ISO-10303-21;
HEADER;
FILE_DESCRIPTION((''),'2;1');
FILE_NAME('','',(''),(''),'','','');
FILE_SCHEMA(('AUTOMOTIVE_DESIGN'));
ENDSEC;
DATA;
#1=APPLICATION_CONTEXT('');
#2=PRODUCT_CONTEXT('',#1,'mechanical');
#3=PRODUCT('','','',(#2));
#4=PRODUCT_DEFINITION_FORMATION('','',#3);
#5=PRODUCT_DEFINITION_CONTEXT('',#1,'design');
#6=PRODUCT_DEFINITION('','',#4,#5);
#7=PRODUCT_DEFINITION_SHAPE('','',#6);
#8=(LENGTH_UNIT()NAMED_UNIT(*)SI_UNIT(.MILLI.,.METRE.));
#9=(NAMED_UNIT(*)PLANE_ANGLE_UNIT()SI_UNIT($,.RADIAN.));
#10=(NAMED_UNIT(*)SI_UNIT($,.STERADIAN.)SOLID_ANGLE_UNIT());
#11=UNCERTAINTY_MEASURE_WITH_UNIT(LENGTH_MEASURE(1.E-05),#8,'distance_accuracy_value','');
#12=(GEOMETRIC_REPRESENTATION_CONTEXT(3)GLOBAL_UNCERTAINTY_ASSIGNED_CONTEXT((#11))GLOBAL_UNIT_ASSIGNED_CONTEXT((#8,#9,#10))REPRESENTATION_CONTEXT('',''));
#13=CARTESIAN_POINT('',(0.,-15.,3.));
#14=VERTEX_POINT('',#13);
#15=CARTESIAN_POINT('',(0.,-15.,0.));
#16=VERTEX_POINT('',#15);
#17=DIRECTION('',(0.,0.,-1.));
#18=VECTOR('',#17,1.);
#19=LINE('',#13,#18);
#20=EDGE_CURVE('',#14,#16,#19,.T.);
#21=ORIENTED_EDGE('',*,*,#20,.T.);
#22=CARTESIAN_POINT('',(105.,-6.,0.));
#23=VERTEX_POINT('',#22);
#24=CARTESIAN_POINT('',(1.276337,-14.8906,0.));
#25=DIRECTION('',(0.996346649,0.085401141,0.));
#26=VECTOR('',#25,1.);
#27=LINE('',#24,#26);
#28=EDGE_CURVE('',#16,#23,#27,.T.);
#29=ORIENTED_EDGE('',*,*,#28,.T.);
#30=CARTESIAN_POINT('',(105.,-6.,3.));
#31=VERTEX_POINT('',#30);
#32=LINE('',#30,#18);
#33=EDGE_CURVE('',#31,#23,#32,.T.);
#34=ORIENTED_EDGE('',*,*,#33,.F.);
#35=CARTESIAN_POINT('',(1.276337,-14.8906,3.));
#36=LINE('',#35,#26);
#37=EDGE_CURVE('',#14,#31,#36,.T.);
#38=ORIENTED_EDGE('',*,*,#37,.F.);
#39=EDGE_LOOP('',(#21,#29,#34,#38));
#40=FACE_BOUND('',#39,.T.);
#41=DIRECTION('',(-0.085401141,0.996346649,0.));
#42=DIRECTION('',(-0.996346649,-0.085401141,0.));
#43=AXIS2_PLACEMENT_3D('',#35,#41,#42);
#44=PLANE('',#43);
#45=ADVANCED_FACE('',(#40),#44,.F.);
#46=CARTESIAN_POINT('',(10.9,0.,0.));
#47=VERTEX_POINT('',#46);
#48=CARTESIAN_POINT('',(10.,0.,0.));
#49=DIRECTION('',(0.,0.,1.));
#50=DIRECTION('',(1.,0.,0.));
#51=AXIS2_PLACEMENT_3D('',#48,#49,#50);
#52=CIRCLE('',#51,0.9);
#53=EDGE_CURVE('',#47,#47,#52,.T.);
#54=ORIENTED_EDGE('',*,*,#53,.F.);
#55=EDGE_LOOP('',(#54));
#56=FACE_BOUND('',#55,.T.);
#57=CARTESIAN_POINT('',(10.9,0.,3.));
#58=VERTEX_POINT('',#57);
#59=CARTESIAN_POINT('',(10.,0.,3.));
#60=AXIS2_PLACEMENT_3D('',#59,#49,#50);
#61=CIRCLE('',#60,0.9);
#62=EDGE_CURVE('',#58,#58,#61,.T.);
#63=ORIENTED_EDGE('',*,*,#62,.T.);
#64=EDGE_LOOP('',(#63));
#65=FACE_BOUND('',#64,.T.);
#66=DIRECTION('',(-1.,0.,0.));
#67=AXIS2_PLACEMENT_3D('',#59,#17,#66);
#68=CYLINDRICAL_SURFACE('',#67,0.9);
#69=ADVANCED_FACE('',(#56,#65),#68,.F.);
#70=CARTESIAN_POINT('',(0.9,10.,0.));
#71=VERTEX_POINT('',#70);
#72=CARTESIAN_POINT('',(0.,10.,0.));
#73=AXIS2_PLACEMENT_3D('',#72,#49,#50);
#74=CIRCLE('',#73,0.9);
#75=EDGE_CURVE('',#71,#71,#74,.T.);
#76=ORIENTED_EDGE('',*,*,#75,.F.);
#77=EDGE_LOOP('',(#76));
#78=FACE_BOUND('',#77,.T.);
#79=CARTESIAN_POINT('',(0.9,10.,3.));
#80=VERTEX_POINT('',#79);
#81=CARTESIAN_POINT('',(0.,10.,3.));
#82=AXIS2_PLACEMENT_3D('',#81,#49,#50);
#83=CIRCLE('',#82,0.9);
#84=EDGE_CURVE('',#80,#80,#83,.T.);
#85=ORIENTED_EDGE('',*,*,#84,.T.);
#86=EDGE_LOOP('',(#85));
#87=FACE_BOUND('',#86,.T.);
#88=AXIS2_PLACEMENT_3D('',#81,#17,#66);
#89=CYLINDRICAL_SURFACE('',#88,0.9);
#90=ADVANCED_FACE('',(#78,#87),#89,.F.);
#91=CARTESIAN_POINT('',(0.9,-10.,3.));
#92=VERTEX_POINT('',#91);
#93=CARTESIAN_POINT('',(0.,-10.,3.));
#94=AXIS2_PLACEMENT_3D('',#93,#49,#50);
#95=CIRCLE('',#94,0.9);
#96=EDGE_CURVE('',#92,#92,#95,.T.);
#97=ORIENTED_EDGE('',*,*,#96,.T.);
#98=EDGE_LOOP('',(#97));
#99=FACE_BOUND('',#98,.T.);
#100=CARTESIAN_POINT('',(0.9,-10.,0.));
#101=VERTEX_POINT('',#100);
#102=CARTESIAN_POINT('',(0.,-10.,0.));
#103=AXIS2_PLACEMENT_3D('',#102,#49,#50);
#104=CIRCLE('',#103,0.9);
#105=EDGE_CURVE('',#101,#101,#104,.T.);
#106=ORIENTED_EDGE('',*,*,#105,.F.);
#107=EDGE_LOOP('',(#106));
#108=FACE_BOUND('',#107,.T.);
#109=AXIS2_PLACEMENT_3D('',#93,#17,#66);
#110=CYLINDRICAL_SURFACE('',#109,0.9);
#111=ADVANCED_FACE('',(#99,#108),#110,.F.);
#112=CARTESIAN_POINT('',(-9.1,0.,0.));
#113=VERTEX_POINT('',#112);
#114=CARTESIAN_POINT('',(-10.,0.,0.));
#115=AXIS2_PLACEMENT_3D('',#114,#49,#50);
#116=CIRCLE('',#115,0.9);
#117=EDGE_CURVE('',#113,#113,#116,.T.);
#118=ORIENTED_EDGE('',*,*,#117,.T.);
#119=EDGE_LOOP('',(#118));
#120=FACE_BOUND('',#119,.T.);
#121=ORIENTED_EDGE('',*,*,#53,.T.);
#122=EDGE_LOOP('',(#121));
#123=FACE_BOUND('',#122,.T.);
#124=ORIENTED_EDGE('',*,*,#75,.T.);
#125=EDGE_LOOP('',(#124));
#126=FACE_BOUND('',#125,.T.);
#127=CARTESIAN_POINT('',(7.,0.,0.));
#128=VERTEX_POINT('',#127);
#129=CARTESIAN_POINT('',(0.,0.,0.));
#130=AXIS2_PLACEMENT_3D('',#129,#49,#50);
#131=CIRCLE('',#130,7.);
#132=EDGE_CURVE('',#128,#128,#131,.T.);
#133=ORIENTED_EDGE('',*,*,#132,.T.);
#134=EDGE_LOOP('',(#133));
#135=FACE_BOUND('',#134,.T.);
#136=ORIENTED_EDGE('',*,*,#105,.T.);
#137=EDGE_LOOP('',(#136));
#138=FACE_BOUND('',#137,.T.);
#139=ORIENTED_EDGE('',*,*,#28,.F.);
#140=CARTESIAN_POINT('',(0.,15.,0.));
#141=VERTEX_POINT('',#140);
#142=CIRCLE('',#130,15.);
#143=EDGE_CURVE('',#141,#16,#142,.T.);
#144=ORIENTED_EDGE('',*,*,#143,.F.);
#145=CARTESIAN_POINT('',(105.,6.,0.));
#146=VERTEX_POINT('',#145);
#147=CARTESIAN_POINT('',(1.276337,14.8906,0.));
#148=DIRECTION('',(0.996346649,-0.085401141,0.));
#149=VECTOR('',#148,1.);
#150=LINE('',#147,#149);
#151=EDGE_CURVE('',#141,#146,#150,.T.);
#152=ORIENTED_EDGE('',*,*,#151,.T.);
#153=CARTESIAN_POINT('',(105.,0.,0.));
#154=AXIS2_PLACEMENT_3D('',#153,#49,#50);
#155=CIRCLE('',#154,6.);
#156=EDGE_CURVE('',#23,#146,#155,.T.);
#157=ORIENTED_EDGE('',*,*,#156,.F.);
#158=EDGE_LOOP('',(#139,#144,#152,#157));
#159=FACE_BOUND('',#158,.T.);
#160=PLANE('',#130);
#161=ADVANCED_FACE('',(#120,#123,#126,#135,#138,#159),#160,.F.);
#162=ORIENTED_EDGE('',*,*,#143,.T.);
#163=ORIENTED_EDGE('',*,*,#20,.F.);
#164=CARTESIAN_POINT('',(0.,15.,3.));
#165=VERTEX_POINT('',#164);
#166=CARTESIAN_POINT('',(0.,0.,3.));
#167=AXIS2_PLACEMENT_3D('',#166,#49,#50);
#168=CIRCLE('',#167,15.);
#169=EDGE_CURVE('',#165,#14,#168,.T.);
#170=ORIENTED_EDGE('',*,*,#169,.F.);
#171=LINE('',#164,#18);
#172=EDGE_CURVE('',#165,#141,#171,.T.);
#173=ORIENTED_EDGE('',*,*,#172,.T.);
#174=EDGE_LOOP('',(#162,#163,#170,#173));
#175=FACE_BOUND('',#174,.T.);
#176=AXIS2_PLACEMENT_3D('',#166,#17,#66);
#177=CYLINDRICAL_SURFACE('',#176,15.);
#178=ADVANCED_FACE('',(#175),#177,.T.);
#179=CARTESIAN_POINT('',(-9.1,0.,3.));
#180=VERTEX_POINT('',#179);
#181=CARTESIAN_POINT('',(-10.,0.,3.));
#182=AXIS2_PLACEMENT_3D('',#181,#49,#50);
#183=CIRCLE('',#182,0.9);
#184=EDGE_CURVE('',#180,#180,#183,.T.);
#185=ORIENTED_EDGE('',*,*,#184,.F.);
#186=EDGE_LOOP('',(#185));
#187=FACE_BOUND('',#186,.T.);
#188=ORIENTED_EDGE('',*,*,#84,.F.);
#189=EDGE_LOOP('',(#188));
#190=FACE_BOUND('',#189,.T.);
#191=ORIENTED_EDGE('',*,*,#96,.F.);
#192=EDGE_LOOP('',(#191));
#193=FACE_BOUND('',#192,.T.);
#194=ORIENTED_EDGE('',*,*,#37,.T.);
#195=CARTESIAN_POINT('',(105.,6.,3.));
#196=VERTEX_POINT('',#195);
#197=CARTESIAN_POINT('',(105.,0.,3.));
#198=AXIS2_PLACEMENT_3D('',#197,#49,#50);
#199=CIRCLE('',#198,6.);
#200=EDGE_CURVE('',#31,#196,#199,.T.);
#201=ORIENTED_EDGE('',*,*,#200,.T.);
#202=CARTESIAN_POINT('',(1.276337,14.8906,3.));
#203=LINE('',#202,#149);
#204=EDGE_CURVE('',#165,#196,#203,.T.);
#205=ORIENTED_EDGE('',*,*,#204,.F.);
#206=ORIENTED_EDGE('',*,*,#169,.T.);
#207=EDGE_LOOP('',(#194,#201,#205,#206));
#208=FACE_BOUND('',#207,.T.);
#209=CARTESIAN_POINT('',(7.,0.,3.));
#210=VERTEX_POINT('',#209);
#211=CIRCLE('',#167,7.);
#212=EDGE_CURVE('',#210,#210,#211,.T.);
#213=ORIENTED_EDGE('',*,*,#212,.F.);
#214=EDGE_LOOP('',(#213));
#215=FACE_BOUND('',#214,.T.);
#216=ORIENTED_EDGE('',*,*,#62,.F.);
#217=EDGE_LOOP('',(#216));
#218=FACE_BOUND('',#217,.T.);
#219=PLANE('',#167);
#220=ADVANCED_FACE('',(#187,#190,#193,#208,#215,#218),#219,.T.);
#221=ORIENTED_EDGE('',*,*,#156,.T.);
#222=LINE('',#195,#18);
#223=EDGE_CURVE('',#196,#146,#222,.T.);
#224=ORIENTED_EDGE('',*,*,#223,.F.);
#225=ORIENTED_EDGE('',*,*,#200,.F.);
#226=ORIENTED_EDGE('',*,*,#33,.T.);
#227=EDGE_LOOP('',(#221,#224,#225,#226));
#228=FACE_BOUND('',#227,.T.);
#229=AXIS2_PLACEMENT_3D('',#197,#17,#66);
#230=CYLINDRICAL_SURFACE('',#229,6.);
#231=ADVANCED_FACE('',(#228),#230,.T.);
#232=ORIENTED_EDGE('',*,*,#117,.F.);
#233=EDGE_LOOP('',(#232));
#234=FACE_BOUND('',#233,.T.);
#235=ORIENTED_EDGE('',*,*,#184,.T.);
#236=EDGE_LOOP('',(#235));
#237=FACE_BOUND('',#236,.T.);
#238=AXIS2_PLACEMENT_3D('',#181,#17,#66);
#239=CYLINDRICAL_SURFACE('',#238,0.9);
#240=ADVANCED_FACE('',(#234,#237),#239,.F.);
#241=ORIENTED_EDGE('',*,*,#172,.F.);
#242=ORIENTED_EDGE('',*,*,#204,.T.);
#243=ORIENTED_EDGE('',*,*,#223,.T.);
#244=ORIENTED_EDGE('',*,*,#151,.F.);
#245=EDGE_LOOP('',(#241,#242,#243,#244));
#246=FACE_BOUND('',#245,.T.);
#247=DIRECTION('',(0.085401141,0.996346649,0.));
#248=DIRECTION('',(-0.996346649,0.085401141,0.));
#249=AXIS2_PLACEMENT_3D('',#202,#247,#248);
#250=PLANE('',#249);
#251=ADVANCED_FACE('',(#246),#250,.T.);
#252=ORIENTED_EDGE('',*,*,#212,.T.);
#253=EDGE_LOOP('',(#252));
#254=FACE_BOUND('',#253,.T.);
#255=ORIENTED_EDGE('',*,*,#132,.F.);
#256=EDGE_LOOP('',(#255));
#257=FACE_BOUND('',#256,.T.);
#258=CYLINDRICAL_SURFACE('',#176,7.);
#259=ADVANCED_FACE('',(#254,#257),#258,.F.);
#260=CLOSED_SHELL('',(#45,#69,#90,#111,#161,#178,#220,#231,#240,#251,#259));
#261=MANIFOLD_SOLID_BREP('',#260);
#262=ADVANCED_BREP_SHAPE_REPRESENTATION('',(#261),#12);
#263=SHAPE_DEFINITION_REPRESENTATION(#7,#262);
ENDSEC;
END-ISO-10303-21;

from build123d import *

# Parameters (mm, degrees)
SKETCH1_R           = 6
SKETCH1_R_2         = 0.9
SKETCH1_R_3         = 7
BOSS_EXTRUDE1_DEPTH = 3


with BuildPart() as part:
    # Sketch1 → Boss-Extrude1 (new body)
    # profile 1 of 3: a face of its own
    with BuildSketch(Plane.XY):
        with BuildLine():
            Line((105, 6), (2.55267423, 14.781199352))
            ThreePointArc((2.55267423, 14.781199352), (11.473667972, 9.662036187), (15, 0))
            ThreePointArc((15, 0), (11.473667972, -9.662036187), (2.55267423, -14.781199352))
            Line((2.55267423, -14.781199352), (105, -6))
            ThreePointArc((105, -6), (99, 0), (105, 6))
        make_face()
    # profile 2 of 3: a face of its own
    with BuildSketch(Plane.XY):
        with Locations((105, 0)):
            Circle(SKETCH1_R)
    # profile 3 of 3: a face of its own
    with BuildSketch(Plane.XY):
        with BuildLine():
            Line((2.55267423, 14.781199352), (0, 15))
            ThreePointArc((0, 15), (-15, 0), (0, -15))
            Line((0, -15), (2.55267423, -14.781199352))
            ThreePointArc((2.55267423, -14.781199352), (11.473667972, -9.662036187), (15, 0))
            ThreePointArc((15, 0), (11.473667972, 9.662036187), (2.55267423, 14.781199352))
        make_face()
        with Locations((0, -10)):
            Circle(SKETCH1_R_2, mode=Mode.SUBTRACT)
        with Locations((10, 0)):
            Circle(SKETCH1_R_2, mode=Mode.SUBTRACT)
        with Locations((-10, 0)):
            Circle(SKETCH1_R_2, mode=Mode.SUBTRACT)
        Circle(SKETCH1_R_3, mode=Mode.SUBTRACT)
        with Locations((0, 10)):
            Circle(SKETCH1_R_2, mode=Mode.SUBTRACT)
    extrude(amount=BOSS_EXTRUDE1_DEPTH)


solid = part.part
